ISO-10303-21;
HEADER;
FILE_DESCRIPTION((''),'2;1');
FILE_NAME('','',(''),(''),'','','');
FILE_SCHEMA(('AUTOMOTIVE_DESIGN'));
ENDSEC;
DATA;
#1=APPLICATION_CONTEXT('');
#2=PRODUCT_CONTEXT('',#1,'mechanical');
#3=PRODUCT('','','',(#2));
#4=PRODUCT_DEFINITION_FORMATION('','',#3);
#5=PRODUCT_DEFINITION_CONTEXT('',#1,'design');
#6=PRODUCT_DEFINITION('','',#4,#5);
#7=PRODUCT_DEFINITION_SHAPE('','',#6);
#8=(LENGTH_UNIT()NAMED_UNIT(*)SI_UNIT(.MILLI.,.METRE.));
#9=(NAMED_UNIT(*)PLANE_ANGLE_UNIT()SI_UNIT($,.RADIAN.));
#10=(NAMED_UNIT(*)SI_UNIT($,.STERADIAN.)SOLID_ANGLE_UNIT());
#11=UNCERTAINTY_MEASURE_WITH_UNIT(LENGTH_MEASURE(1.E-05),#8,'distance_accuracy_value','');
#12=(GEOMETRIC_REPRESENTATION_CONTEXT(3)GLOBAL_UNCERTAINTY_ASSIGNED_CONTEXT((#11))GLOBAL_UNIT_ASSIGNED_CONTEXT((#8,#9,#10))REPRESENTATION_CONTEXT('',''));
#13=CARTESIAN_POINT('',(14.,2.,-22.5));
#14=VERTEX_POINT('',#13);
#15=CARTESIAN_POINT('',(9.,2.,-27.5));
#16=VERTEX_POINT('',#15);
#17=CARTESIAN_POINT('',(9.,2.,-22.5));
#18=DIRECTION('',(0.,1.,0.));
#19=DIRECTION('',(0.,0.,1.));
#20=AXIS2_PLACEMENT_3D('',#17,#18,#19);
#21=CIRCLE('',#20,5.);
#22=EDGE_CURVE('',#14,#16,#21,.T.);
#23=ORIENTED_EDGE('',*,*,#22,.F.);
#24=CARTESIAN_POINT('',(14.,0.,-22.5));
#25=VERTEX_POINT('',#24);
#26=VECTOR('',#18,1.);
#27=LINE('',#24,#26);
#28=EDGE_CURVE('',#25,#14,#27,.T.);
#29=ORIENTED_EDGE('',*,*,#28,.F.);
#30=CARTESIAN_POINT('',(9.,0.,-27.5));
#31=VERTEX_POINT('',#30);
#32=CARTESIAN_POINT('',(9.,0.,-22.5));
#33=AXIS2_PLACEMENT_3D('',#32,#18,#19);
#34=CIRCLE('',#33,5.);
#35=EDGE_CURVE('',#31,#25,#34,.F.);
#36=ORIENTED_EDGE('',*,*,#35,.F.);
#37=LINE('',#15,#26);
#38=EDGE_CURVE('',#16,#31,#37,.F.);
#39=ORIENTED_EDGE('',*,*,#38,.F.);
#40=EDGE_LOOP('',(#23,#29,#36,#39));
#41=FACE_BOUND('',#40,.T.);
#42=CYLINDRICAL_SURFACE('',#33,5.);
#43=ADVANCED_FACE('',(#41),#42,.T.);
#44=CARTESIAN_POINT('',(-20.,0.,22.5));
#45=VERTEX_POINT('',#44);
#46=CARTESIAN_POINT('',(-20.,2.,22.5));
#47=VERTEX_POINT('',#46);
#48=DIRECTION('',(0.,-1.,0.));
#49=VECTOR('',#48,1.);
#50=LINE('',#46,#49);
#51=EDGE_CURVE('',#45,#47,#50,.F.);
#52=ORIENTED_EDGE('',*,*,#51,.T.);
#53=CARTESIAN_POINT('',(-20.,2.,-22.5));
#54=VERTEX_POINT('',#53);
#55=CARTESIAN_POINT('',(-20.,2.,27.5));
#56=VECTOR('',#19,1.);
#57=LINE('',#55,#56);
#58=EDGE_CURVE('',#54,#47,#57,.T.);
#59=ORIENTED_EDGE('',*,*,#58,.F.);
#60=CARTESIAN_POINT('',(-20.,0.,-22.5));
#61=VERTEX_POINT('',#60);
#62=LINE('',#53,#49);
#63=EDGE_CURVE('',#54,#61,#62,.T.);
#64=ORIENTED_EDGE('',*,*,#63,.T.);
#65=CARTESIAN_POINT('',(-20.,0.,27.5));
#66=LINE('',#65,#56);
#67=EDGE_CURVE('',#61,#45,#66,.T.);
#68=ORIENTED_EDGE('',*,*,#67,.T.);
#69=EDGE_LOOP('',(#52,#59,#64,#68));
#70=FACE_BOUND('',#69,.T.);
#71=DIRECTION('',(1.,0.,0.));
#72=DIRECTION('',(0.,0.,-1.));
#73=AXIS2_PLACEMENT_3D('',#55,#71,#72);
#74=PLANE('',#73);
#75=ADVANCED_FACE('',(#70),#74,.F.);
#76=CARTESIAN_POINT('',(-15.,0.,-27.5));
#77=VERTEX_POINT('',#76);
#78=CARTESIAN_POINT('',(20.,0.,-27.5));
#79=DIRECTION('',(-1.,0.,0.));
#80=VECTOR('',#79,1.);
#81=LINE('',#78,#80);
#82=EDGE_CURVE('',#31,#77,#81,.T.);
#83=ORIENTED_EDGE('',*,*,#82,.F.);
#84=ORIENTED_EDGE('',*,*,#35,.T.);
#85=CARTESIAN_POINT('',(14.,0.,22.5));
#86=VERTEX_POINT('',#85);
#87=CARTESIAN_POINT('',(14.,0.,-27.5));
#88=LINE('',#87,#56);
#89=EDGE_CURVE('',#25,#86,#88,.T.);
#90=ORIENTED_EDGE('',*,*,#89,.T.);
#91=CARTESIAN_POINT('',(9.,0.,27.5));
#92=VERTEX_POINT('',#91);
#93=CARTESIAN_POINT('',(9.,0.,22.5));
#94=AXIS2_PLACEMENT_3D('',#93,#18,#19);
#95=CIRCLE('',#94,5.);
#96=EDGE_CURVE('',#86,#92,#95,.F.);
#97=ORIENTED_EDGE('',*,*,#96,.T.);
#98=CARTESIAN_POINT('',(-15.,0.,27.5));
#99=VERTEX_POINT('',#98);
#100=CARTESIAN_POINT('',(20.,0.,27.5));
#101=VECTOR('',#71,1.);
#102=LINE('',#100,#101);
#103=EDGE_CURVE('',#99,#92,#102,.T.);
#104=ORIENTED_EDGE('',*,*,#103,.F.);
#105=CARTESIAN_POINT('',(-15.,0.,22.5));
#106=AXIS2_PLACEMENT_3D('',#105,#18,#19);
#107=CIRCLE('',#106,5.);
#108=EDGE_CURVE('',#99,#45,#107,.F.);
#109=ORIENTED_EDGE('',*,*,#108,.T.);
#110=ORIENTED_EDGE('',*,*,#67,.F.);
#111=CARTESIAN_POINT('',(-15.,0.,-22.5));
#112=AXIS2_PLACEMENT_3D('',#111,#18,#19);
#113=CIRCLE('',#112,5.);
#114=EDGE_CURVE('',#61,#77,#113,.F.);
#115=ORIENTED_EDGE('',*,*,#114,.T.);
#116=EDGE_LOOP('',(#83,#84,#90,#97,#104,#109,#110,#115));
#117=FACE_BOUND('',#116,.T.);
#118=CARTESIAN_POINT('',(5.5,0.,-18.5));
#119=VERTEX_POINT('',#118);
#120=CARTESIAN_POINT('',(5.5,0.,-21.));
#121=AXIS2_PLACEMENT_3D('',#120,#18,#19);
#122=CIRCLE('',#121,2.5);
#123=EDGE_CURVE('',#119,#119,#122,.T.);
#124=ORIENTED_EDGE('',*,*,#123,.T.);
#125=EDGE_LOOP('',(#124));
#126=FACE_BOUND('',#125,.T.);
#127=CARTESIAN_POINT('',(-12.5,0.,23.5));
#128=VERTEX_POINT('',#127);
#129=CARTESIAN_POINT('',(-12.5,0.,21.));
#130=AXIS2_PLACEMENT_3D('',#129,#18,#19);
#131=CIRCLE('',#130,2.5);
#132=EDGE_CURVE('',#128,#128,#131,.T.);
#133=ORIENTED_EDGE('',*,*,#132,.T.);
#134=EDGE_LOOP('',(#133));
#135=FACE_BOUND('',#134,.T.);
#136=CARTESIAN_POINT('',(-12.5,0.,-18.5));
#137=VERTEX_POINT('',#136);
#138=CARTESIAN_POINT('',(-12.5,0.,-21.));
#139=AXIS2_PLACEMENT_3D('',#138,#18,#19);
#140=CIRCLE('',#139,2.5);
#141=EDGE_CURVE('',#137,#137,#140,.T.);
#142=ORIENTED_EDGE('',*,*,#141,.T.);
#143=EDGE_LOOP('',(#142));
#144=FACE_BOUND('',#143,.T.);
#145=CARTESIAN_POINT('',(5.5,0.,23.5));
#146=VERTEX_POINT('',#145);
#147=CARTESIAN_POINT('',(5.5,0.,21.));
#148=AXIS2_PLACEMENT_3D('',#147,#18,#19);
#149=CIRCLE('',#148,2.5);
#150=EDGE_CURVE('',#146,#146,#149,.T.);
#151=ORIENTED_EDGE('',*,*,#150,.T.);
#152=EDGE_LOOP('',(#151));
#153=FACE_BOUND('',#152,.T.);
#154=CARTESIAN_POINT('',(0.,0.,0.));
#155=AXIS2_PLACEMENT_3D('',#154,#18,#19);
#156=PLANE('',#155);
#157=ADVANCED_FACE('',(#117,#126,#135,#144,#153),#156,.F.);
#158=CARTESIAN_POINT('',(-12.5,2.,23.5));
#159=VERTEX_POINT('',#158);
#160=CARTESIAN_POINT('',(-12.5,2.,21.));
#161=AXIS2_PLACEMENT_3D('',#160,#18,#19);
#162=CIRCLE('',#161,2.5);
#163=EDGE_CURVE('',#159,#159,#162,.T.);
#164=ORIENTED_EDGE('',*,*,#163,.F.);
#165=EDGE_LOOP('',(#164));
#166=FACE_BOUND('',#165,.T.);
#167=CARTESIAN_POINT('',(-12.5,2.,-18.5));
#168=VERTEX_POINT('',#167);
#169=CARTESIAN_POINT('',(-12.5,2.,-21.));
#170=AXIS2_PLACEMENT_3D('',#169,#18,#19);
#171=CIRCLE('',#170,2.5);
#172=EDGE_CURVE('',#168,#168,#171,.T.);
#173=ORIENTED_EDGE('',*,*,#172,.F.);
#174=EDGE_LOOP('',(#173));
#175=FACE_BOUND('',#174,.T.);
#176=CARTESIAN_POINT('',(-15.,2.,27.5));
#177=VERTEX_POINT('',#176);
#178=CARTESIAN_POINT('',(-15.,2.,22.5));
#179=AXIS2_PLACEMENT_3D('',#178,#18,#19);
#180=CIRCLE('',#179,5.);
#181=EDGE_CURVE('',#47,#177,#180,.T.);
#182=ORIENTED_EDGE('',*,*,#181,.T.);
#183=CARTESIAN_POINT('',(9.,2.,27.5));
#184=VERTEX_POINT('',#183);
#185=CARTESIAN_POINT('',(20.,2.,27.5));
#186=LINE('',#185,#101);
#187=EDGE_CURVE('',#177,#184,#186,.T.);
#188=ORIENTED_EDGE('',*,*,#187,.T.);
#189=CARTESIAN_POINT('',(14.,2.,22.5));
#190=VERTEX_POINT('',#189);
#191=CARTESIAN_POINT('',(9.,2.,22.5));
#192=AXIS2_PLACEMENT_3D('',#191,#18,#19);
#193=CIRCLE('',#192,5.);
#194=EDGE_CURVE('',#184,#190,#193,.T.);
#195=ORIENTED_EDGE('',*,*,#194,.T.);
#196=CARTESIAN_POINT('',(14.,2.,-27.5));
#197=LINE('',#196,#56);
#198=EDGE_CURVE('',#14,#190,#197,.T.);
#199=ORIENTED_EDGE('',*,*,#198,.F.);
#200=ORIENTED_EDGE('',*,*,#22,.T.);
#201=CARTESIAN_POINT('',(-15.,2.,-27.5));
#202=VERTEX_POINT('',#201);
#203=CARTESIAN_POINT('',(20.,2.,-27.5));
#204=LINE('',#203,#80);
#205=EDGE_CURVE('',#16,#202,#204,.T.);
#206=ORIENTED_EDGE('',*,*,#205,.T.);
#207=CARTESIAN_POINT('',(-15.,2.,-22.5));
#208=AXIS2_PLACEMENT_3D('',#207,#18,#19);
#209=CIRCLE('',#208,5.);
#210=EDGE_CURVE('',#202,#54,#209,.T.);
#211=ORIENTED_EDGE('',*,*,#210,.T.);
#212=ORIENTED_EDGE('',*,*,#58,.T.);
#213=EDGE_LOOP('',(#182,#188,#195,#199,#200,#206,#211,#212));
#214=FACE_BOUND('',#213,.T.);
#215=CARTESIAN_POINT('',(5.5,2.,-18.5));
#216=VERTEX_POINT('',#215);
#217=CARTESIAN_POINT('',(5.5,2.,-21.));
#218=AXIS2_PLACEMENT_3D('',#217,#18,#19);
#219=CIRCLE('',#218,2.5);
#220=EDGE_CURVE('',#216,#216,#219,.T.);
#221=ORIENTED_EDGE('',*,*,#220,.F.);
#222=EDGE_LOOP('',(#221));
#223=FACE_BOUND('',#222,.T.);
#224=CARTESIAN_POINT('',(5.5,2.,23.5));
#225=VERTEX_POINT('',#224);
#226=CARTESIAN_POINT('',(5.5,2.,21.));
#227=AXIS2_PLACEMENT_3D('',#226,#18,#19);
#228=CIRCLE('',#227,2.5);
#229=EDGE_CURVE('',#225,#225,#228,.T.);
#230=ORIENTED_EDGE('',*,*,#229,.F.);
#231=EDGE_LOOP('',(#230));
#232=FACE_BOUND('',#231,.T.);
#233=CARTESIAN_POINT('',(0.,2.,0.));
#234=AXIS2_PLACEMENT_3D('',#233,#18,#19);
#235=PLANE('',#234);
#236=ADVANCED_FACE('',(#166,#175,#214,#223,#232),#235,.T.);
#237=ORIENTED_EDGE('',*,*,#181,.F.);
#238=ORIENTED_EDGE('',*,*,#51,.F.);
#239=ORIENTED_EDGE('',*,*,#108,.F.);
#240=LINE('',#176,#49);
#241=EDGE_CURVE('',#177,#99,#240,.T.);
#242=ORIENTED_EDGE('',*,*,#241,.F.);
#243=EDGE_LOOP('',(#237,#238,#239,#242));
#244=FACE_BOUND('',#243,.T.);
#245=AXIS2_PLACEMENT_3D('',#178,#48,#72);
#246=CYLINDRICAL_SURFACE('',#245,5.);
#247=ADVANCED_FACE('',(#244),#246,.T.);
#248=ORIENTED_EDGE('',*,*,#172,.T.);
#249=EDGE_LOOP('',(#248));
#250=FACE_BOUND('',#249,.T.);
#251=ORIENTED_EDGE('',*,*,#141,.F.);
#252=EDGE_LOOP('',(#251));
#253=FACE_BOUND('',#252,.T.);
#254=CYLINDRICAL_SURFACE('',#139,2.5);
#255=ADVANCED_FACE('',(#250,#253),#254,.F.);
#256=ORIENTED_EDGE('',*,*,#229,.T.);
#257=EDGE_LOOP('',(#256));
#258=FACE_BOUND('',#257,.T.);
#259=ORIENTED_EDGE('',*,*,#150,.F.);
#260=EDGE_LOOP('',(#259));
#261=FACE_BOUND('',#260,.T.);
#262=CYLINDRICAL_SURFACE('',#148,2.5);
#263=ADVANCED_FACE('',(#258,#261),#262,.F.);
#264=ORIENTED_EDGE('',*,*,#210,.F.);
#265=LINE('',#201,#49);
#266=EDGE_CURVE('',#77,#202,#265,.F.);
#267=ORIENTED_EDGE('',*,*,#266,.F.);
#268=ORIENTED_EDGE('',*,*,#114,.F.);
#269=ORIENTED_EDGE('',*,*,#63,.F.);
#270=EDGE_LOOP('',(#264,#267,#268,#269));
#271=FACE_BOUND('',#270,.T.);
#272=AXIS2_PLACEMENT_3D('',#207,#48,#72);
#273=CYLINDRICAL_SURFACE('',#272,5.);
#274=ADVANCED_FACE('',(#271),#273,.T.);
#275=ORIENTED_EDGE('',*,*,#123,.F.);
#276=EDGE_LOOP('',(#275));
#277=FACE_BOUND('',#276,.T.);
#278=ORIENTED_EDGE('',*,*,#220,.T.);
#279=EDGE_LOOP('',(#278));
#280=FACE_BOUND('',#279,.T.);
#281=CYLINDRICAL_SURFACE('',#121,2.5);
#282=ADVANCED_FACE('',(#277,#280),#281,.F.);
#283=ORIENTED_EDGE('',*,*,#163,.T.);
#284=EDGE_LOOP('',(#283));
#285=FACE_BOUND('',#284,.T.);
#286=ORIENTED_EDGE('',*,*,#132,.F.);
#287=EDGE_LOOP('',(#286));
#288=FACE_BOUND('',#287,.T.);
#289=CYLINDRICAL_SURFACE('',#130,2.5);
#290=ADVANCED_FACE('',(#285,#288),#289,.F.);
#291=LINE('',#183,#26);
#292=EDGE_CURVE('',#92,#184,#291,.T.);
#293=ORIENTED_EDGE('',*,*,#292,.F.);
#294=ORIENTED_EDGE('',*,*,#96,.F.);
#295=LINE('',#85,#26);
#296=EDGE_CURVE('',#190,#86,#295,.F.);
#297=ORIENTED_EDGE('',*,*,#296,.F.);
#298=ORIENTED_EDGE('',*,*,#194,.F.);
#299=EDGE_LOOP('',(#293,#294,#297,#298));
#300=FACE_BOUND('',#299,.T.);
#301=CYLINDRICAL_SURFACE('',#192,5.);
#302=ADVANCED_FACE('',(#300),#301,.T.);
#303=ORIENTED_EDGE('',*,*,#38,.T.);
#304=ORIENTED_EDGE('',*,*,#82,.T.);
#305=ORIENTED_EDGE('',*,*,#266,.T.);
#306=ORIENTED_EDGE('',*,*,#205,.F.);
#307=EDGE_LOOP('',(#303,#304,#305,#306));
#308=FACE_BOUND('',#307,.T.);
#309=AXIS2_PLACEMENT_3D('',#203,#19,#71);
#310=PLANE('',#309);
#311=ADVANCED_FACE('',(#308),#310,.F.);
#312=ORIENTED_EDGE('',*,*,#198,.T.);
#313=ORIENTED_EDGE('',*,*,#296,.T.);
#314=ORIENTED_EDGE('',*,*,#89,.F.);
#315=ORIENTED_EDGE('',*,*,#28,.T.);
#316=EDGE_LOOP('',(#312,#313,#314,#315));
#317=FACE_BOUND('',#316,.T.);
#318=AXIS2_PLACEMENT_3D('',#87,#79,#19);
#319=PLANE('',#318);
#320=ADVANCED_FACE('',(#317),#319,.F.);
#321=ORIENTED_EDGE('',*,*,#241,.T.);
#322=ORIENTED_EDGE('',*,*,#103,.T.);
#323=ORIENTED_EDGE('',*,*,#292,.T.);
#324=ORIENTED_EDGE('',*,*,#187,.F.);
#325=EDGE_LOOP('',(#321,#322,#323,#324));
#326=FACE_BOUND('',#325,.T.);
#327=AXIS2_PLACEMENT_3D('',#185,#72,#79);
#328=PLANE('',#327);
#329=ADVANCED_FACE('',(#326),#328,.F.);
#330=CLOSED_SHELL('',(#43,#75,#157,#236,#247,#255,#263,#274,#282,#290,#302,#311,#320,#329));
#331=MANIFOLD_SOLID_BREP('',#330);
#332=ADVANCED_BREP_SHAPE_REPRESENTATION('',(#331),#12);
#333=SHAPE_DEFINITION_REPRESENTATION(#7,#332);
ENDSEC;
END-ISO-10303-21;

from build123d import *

# Parameters (mm, degrees)
SKETCH1_W           = 40
SKETCH1_H           = 55
BOSS_EXTRUDE1_DEPTH = 2
SKETCH3_R           = 2.5
CUT_EXTRUDE1_DEPTH  = 2
SKETCH4_W           = 6
SKETCH4_H           = 55
CUT_EXTRUDE2_DEPTH  = 2
FILLET1_R           = 5


with BuildPart() as part:
    # Sketch1 → Boss-Extrude1 (new body)
    with BuildSketch(Plane(origin=(0, 0, 0), x_dir=(1, 0, 0), z_dir=(0, 1, 0))):
        Rectangle(SKETCH1_W, SKETCH1_H)
    extrude(amount=BOSS_EXTRUDE1_DEPTH)

    # Sketch3 → Cut-Extrude1 (cut)
    with BuildSketch(Plane(origin=(0, 2, 0), x_dir=(1, 0, 0), z_dir=(0, 1, 0))):
        with Locations((-12.5, 21)):
            Circle(SKETCH3_R)
        with Locations((-12.5, -21)):
            Circle(SKETCH3_R)
        with Locations((5.5, 21)):
            Circle(SKETCH3_R)
        with Locations((5.5, -21)):
            Circle(SKETCH3_R)
    extrude(amount=-CUT_EXTRUDE1_DEPTH, mode=Mode.SUBTRACT)

    # Sketch4 → Cut-Extrude2 (cut)
    with BuildSketch(Plane(origin=(0, 2, 0), x_dir=(1, 0, 0), z_dir=(0, 1, 0))):
        with Locations((17, 0)):
            Rectangle(SKETCH4_W, SKETCH4_H)
    extrude(amount=-CUT_EXTRUDE2_DEPTH, mode=Mode.SUBTRACT)

    # Fillet1
    fillet1_edges = [part.edges().sort_by_distance(p)[0] for p in [
        (14, 1, 27.5),
        (14, 1, -27.5),
        (-20, 1, -27.5),
        (-20, 1, 27.5),
    ]]
    fillet(fillet1_edges, radius=FILLET1_R)


solid = part.part
